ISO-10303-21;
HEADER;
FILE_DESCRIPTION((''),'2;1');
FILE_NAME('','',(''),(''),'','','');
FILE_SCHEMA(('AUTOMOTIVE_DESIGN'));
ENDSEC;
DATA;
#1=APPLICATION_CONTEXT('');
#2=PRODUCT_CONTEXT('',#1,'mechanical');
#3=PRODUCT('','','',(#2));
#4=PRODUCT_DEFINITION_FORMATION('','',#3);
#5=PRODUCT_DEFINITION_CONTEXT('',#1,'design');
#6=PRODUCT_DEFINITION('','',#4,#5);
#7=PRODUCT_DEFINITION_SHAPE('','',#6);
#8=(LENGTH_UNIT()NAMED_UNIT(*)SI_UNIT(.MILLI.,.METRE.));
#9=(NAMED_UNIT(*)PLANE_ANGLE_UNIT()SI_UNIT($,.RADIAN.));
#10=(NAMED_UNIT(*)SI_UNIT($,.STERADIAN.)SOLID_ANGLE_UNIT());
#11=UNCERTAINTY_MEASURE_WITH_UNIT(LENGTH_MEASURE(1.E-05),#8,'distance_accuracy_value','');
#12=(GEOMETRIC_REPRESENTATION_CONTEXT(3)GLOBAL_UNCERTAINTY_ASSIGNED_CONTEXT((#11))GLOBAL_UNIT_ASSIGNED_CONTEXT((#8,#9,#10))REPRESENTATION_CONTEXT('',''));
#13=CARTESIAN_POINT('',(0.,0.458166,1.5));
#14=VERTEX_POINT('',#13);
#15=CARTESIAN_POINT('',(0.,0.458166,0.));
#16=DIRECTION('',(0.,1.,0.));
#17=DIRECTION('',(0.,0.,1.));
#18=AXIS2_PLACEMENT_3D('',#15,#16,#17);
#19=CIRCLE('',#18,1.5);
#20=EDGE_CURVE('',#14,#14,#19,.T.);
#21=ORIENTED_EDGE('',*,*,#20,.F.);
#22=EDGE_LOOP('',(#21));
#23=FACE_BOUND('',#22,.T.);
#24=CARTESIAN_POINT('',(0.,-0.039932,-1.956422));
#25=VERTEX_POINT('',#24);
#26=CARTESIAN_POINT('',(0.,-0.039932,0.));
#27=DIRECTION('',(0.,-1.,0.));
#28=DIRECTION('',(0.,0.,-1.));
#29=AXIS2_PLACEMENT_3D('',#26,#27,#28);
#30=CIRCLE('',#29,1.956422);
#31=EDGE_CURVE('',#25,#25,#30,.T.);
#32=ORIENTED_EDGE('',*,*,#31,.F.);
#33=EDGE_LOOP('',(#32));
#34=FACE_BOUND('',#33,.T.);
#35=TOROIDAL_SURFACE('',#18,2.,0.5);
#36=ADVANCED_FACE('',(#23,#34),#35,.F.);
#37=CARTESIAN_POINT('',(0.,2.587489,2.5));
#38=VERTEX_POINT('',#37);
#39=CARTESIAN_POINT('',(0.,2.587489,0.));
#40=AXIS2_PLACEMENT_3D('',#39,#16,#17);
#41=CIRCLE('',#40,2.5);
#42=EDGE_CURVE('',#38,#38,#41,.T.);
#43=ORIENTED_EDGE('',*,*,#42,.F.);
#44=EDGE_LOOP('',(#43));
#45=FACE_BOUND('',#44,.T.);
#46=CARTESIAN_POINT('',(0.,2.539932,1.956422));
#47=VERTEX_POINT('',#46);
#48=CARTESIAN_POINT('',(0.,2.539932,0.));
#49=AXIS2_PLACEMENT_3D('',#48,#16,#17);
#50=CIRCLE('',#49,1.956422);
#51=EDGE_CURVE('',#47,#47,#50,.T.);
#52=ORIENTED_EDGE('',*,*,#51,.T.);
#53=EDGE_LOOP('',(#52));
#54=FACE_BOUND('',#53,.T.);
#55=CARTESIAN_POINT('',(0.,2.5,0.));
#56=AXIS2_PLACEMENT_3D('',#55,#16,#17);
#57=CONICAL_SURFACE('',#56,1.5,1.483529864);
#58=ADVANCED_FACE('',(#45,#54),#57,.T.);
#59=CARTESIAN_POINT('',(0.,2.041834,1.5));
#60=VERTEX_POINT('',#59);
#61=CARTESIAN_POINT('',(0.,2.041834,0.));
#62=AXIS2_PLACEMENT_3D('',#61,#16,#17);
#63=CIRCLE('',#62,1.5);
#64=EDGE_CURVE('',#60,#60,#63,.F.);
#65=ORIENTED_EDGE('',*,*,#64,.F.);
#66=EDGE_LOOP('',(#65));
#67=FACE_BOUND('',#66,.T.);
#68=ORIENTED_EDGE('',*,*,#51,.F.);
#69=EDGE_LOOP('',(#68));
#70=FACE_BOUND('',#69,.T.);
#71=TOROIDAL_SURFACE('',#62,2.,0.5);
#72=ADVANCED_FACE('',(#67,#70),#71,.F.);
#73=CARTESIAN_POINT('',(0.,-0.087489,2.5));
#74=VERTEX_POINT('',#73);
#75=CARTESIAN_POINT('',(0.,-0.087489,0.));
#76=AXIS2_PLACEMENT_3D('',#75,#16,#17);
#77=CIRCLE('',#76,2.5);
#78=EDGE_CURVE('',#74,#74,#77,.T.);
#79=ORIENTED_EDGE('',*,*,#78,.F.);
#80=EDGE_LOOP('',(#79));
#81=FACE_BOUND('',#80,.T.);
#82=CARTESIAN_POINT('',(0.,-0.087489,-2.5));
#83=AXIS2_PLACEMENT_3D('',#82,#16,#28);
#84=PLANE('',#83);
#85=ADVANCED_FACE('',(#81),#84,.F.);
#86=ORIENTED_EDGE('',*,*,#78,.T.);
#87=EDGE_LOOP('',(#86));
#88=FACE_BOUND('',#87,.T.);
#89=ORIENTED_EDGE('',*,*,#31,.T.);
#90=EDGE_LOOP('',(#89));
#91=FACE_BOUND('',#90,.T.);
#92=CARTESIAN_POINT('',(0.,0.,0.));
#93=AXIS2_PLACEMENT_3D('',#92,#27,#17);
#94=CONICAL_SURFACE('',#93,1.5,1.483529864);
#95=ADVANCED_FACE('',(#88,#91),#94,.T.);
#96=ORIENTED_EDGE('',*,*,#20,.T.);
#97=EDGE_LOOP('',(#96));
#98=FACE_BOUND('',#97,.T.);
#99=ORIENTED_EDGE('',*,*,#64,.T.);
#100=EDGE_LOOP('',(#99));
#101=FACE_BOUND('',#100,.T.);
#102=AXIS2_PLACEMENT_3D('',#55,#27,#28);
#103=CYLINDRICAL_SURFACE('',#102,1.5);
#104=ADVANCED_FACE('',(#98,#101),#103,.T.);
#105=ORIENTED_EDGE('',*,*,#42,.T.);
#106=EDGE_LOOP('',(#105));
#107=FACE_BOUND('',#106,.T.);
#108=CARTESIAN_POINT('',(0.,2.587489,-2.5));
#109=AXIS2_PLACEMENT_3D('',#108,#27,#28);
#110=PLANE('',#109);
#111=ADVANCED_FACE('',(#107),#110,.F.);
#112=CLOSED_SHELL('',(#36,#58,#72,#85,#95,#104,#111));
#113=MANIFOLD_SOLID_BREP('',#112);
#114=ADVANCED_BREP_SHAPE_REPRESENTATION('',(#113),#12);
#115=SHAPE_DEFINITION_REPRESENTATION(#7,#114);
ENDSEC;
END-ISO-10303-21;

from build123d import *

# Parameters (mm, degrees)
SKETCH1_R            = 1.5
BOSS_EXTRUDE1_DEPTH  = 2.5
FILLET1_R            = 0.5
FILLET1_OF_MIRROR1_R = 0.5


with BuildPart() as part:
    # Sketch1 → Boss-Extrude1 (new body)
    with BuildSketch(Plane(origin=(0, 0, 0), x_dir=(1, 0, 0), z_dir=(0, 1, 0))):
        with Locations(Location((0, 0, 0), (0, 0, 270))):
            Circle(SKETCH1_R)
    extrude(amount=BOSS_EXTRUDE1_DEPTH)

    # Sketch3 → Revolve1 (revolve)
    with BuildSketch(Plane(origin=(0, 0, 0), x_dir=(0, 0, -1), z_dir=(1, 0, 0)), mode=Mode.PRIVATE) as revolve1_sk:
        Polygon((1.5, 2.5), (2.5, 2.587488664), (0, 2.587488664), (0, 1.587488664), (1.5, 1.587488664), align=None)
    revolve1 = revolve(revolve1_sk.sketch.rotate(Axis((0, 2.587488664, 0), (0, -1, 0)), 180), axis=Axis((0, 2.587488664, 0), (0, -1, 0)))

    # Fillet1
    fillet1_edges = [part.edges().sort_by_distance(p)[0] for p in [
        (0, 2.5, -1.5),
    ]]
    fillet(fillet1_edges, radius=FILLET1_R)

    # Mirror1: Revolve1 across plane
    add(revolve1.mirror(Plane(origin=(0, 1.25, 0), x_dir=(0, 0, 1), z_dir=(0, -1, 0))))

    # Fillet1 of Mirror1
    fillet1_of_mirror1_edges = [part.edges().sort_by_distance(p)[0] for p in [
        (0, 0, -1.5),
    ]]
    fillet(fillet1_of_mirror1_edges, radius=FILLET1_OF_MIRROR1_R)


solid = part.part
